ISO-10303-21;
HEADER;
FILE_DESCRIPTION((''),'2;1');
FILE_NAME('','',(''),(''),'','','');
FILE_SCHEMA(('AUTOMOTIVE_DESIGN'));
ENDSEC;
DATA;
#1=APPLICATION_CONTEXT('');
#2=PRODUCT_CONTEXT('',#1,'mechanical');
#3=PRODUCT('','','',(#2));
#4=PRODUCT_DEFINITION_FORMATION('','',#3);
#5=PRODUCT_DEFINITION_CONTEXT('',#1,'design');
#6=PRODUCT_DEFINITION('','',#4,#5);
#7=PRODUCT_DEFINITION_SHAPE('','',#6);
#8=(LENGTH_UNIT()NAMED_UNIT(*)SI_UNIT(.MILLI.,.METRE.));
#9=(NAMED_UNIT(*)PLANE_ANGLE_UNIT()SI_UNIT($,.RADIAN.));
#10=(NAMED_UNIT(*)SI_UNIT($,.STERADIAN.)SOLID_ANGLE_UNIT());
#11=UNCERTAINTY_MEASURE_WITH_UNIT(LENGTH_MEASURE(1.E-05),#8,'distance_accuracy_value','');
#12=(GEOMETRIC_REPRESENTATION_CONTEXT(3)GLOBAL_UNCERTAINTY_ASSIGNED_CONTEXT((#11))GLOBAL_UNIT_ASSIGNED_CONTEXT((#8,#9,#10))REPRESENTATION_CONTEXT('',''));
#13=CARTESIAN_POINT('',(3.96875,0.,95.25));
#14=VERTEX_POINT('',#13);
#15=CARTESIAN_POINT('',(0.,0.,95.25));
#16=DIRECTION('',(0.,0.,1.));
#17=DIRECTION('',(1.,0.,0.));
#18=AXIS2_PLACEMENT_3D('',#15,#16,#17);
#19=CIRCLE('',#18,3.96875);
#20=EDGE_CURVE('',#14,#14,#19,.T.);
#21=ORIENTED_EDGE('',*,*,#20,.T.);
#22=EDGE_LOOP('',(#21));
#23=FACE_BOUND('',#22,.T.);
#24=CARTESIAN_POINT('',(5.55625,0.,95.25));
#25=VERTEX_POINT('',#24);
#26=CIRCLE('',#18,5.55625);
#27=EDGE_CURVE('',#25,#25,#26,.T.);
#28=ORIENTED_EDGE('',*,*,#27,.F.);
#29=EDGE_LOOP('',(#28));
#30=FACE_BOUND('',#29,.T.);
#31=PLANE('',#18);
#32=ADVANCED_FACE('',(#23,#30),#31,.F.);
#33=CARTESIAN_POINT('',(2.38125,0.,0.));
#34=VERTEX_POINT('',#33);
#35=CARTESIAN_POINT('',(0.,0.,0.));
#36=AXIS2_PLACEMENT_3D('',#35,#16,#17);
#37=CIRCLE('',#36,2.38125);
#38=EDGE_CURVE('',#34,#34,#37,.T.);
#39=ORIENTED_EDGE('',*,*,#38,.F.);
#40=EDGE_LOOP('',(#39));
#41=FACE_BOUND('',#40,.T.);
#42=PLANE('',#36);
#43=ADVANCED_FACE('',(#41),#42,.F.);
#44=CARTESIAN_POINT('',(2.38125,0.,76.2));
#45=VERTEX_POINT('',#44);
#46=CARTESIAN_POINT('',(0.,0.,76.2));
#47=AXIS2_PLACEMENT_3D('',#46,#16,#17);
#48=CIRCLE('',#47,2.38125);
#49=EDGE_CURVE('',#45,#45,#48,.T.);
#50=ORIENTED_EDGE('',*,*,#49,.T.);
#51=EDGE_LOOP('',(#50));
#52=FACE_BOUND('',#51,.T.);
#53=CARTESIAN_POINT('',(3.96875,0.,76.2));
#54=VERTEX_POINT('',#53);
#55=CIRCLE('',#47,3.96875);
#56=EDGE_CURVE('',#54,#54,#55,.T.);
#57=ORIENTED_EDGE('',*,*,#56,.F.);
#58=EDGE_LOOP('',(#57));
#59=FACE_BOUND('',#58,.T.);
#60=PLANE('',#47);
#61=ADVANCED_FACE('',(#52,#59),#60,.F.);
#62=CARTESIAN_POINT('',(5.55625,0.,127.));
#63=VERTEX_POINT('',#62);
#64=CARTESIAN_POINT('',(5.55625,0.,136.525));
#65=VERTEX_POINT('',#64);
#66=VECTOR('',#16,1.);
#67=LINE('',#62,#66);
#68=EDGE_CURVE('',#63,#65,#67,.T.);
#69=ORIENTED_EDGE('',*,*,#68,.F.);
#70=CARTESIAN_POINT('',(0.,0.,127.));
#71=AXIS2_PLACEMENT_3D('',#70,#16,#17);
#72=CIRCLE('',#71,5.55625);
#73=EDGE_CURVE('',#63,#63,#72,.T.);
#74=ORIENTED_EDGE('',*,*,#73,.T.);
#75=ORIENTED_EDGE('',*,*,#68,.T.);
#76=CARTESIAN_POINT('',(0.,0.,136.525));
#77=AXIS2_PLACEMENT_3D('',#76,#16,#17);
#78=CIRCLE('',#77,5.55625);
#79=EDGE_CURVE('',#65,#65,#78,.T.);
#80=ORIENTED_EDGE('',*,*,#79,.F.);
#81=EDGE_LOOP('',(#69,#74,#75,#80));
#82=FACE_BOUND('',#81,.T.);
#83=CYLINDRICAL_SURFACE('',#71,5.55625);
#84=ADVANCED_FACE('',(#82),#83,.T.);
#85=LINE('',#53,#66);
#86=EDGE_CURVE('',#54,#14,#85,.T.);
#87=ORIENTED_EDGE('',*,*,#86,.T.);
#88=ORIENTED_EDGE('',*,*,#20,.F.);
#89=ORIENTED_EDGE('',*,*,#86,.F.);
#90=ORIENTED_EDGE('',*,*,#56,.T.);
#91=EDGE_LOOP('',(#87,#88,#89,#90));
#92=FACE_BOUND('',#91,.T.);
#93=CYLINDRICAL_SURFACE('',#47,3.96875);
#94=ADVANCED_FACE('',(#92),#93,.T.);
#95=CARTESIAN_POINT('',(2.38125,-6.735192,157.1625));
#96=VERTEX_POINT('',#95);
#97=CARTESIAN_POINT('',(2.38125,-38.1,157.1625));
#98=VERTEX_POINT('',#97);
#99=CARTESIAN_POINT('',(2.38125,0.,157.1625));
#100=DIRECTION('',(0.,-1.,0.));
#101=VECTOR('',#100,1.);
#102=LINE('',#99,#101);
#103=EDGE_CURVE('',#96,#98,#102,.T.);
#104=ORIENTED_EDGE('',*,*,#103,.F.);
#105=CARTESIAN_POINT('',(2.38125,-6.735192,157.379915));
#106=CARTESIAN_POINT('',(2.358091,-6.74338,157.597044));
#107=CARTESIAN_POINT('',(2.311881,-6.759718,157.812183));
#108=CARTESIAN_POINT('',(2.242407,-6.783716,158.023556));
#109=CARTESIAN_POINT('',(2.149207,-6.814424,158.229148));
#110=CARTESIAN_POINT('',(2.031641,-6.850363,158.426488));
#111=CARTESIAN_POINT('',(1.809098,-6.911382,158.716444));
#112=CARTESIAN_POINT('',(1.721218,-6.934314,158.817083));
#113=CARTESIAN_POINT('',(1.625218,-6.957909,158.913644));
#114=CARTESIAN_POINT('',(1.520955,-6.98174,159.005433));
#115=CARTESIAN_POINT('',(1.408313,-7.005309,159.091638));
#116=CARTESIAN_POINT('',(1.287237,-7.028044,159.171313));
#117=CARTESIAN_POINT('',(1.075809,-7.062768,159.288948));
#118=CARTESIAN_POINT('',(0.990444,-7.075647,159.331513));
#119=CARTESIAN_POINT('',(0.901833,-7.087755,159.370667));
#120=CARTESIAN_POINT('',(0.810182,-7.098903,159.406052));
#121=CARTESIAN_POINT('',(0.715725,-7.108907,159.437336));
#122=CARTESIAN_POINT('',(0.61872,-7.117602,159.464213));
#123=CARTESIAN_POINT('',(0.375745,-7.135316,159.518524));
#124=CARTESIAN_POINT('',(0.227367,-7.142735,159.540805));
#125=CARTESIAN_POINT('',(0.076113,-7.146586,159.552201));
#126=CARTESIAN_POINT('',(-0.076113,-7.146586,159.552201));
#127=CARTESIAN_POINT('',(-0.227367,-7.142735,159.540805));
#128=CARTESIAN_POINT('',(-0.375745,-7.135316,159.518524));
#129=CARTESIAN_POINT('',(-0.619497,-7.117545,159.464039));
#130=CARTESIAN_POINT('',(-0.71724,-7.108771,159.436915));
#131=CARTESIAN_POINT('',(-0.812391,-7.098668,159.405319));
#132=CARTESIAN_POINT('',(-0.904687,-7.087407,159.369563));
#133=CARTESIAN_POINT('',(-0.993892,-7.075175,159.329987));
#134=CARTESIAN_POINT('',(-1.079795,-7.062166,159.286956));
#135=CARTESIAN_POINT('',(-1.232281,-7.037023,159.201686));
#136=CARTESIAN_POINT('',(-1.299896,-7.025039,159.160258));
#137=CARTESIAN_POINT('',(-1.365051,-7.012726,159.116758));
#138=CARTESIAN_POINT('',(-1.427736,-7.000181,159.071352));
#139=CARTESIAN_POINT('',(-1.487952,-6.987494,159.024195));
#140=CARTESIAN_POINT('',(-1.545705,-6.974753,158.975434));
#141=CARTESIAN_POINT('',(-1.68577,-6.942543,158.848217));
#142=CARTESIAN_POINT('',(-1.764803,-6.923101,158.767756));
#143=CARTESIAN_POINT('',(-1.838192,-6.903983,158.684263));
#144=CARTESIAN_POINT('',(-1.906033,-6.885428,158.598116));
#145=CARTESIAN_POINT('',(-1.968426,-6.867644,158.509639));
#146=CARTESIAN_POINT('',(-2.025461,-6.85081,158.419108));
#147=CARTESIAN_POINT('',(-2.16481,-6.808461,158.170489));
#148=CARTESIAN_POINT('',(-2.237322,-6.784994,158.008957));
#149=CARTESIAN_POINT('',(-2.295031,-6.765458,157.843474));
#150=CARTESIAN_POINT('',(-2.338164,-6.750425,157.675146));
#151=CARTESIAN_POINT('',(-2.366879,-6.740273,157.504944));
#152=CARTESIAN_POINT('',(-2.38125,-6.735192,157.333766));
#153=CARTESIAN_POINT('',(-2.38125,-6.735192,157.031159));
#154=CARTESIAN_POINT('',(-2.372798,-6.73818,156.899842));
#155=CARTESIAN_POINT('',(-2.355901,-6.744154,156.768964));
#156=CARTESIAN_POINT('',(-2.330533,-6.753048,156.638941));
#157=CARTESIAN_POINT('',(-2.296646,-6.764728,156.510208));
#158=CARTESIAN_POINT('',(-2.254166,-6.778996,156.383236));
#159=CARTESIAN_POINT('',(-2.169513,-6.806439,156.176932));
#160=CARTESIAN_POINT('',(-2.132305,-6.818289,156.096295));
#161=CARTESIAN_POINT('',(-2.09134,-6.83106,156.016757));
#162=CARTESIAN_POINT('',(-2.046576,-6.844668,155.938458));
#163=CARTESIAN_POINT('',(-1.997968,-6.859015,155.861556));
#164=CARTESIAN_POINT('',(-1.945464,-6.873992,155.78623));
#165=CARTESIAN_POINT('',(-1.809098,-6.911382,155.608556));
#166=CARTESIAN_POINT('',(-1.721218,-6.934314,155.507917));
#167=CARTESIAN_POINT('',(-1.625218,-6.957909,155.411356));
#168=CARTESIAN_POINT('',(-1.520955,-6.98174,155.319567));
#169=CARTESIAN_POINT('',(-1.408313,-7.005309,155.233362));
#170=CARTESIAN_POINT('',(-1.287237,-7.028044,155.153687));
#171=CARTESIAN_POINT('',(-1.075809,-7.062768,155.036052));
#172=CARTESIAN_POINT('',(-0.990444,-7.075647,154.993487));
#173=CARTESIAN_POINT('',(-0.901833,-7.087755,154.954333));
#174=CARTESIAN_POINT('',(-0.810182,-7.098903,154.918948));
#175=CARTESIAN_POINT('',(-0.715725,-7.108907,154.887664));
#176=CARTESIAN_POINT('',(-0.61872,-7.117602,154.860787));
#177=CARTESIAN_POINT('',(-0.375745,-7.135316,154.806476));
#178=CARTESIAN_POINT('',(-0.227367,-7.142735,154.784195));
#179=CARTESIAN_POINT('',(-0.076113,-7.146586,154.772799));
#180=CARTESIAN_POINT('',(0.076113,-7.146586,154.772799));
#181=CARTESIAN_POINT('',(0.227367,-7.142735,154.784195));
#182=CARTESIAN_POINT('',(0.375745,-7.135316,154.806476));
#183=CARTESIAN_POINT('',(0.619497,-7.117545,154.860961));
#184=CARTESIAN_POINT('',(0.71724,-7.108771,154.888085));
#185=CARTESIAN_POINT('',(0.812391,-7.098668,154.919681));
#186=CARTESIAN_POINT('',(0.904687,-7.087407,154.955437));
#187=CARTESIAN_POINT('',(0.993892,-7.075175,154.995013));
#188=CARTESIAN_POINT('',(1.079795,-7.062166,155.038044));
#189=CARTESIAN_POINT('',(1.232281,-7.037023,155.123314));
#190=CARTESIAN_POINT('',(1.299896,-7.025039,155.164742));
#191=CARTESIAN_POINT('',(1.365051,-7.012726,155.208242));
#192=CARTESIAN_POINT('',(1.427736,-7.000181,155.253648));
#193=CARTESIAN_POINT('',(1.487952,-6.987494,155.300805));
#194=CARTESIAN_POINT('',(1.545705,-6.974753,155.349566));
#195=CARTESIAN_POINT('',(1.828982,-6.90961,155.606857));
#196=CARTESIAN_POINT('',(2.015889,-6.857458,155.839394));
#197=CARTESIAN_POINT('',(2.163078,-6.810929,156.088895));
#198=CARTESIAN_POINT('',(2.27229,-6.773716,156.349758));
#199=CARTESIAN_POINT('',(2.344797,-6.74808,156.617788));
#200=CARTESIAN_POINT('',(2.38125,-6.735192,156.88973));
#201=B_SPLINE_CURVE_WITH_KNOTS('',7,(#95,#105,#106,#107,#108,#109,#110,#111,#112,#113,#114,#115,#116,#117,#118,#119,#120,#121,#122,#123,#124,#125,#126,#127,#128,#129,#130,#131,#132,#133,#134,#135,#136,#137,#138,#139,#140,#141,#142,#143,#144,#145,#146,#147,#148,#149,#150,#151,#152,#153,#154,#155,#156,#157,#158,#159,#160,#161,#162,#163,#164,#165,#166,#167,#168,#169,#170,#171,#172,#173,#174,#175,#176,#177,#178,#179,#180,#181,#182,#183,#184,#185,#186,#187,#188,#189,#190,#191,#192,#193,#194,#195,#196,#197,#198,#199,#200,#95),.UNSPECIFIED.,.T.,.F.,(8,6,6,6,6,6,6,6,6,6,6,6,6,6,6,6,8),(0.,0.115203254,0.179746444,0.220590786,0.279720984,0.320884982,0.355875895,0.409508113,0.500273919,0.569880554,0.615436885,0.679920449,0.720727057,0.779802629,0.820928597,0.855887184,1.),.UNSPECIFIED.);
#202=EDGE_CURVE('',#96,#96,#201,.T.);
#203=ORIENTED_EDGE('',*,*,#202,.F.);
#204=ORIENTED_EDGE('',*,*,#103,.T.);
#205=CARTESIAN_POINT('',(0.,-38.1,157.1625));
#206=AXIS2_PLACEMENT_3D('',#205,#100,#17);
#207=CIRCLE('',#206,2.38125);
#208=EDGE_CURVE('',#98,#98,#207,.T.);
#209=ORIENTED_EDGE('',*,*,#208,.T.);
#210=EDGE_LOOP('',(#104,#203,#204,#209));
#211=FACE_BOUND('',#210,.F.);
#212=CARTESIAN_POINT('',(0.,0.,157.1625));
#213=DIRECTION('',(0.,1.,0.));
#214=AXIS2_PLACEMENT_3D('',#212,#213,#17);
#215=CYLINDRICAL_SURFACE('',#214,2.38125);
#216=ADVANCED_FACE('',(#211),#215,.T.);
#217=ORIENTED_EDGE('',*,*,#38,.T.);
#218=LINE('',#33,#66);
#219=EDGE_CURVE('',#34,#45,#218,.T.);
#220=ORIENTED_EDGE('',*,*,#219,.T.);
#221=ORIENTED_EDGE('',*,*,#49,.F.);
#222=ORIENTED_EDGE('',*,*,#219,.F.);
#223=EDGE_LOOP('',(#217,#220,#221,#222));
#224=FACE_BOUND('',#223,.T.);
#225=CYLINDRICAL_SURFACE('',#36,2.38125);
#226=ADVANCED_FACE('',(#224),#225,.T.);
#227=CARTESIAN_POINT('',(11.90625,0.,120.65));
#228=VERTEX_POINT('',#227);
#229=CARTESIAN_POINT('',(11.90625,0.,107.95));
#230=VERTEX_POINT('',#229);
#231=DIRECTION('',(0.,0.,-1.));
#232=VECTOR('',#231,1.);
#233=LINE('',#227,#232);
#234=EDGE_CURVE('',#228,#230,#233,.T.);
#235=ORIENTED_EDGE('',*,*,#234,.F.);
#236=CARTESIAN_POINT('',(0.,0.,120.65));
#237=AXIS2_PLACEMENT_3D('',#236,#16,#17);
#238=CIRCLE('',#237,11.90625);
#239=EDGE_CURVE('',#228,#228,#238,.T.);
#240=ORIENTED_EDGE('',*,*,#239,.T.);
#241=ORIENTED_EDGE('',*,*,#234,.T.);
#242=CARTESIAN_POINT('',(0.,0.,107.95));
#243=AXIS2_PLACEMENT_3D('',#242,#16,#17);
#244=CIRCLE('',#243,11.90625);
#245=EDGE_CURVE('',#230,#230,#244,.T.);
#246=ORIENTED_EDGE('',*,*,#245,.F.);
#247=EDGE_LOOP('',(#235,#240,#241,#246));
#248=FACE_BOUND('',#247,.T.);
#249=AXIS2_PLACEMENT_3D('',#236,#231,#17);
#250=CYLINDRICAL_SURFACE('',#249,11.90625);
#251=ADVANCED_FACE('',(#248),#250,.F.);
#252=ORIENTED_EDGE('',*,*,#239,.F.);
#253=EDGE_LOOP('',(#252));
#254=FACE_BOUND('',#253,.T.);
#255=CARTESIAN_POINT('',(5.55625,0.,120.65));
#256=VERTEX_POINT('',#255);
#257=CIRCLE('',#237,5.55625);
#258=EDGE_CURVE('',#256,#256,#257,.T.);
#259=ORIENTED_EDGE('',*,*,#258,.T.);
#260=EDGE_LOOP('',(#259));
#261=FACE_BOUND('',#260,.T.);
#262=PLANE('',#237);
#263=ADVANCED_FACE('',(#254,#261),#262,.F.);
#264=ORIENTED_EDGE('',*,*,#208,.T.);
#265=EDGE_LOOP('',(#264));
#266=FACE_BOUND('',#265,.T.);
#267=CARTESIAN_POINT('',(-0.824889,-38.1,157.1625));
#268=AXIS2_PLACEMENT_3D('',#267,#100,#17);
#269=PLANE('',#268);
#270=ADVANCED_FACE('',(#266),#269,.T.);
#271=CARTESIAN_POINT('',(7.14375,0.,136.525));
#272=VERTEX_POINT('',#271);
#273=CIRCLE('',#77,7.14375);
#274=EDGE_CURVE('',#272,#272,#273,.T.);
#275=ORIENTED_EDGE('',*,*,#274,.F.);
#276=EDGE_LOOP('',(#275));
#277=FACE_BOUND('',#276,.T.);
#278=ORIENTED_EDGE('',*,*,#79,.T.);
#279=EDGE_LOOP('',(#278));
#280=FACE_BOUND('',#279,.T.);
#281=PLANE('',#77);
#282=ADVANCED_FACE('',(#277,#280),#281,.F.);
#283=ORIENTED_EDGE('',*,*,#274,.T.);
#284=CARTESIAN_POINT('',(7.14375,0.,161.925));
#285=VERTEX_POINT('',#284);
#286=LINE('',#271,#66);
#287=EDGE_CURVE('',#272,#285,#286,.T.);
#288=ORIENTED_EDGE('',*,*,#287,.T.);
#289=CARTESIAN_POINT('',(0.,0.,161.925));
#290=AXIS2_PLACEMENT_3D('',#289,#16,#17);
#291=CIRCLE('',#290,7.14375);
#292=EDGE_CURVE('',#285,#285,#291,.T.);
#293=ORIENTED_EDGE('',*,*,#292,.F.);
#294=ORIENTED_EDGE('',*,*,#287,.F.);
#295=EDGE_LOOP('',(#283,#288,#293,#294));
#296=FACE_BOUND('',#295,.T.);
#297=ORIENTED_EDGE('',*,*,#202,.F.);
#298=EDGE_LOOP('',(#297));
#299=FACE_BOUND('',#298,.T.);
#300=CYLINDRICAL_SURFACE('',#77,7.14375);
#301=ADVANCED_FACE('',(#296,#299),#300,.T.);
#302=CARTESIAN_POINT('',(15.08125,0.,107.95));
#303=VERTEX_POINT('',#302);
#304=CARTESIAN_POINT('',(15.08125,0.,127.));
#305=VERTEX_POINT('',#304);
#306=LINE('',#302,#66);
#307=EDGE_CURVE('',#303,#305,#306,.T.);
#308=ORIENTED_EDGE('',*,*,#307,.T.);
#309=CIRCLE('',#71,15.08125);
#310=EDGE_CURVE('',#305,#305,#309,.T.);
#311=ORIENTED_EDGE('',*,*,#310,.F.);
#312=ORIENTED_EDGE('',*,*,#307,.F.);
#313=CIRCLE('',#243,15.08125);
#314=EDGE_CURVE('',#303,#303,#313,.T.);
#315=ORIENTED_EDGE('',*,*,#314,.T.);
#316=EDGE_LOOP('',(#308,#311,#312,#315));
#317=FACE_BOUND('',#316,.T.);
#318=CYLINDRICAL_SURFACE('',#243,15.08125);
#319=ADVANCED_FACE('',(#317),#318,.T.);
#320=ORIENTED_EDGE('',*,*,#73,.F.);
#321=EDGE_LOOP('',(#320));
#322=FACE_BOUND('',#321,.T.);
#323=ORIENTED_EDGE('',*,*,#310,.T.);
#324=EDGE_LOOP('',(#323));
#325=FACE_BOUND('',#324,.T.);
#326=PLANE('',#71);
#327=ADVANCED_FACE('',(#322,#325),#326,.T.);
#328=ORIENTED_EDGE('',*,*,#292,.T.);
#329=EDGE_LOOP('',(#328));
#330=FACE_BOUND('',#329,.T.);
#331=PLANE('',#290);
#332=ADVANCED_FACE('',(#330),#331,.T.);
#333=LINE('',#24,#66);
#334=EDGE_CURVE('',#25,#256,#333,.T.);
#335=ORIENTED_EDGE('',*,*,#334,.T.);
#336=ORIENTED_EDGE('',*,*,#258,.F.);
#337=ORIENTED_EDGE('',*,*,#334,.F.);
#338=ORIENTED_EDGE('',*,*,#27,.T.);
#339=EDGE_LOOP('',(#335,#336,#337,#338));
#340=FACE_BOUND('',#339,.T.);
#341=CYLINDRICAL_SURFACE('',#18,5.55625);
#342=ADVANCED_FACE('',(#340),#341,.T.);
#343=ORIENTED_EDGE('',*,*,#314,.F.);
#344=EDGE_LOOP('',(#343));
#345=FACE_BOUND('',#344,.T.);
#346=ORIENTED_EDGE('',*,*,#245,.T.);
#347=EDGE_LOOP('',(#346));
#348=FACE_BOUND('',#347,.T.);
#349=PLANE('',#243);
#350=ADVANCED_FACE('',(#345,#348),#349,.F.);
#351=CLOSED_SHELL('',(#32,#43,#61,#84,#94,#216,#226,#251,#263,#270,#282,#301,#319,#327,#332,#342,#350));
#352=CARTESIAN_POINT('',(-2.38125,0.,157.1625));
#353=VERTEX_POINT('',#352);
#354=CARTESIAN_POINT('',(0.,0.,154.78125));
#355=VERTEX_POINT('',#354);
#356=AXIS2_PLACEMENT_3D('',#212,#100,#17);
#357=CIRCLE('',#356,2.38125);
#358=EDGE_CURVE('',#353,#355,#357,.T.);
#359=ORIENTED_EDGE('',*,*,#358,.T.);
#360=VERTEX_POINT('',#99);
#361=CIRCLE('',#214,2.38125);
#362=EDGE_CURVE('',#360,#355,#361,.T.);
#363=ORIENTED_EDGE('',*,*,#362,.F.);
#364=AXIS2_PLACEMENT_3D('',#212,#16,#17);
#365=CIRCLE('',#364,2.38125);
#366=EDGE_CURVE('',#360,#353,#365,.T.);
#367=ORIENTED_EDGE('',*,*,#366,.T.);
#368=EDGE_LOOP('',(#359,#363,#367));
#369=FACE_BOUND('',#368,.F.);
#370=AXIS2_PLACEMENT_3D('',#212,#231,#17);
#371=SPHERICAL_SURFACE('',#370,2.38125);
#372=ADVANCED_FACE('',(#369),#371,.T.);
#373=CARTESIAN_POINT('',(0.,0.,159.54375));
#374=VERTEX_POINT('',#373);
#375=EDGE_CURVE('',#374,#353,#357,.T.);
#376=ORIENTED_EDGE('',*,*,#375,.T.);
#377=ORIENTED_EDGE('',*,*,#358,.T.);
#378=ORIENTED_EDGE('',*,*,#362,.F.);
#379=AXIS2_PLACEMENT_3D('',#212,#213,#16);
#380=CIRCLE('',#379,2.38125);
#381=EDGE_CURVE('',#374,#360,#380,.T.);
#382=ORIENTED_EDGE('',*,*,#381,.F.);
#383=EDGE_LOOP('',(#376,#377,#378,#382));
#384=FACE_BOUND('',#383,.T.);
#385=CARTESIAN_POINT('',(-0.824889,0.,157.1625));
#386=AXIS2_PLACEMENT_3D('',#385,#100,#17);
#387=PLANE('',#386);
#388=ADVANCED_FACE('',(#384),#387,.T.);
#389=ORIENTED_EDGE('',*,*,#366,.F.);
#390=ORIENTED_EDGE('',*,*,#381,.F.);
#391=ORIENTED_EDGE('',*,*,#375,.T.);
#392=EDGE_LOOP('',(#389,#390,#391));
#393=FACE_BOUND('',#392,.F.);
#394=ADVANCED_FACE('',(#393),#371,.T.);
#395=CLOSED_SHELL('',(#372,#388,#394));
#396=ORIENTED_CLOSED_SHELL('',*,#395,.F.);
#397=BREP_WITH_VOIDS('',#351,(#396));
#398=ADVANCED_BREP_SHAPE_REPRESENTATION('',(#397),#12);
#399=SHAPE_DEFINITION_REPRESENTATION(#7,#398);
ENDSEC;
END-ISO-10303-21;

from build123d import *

# Parameters (mm, degrees)
F2_DEPTH = 38.1


with BuildPart() as f1:
    # F0 (on Front) → F1 (revolve)
    with BuildSketch(Plane.XZ):
        with BuildLine():
            Line((0, 154.78125), (0, 0))
            Line((0, 0), (2.38125, 0))
            Line((2.38125, 0), (2.38125, 76.2))
            Line((2.38125, 76.2), (3.96875, 76.2))
            Line((3.96875, 76.2), (3.96875, 95.25))
            Line((3.96875, 95.25), (5.55625, 95.25))
            Line((5.55625, 95.25), (5.55625, 120.65))
            Line((5.55625, 120.65), (11.90625, 120.65))
            Line((11.90625, 120.65), (11.90625, 107.95))
            Line((11.90625, 107.95), (15.08125, 107.95))
            Line((15.08125, 107.95), (15.08125, 127))
            Line((15.08125, 127), (5.55625, 127))
            Line((5.55625, 127), (5.55625, 136.525))
            Line((5.55625, 136.525), (7.14375, 136.525))
            Line((7.14375, 136.525), (7.14375, 161.925))
            Line((7.14375, 161.925), (0, 161.925))
            Line((0, 161.925), (0, 159.54375))
            ThreePointArc((0, 159.54375), (1.6837980227, 158.8462980227), (2.38125, 157.1625))
            ThreePointArc((2.38125, 157.1625), (1.6837980227, 155.4787019773), (0, 154.78125))
        make_face()
    revolve(axis=Axis((0, 0, 80.9625), (0, 0, 1)))

    # F0 (on Front) → F2 (join)
    with BuildSketch(Plane.XZ):
        with BuildLine():
            ThreePointArc((0, 159.54375), (-2.38125, 157.1625), (0, 154.78125))
            Line((0, 154.78125), (0, 159.54375))
        make_face()
        with BuildLine():
            Line((0, 159.54375), (0, 154.78125))
            ThreePointArc((0, 154.78125), (1.6837980227, 155.4787019773), (2.38125, 157.1625))
            ThreePointArc((2.38125, 157.1625), (1.6837980227, 158.8462980227), (0, 159.54375))
        make_face()
    extrude(amount=F2_DEPTH)


solid = f1.part
